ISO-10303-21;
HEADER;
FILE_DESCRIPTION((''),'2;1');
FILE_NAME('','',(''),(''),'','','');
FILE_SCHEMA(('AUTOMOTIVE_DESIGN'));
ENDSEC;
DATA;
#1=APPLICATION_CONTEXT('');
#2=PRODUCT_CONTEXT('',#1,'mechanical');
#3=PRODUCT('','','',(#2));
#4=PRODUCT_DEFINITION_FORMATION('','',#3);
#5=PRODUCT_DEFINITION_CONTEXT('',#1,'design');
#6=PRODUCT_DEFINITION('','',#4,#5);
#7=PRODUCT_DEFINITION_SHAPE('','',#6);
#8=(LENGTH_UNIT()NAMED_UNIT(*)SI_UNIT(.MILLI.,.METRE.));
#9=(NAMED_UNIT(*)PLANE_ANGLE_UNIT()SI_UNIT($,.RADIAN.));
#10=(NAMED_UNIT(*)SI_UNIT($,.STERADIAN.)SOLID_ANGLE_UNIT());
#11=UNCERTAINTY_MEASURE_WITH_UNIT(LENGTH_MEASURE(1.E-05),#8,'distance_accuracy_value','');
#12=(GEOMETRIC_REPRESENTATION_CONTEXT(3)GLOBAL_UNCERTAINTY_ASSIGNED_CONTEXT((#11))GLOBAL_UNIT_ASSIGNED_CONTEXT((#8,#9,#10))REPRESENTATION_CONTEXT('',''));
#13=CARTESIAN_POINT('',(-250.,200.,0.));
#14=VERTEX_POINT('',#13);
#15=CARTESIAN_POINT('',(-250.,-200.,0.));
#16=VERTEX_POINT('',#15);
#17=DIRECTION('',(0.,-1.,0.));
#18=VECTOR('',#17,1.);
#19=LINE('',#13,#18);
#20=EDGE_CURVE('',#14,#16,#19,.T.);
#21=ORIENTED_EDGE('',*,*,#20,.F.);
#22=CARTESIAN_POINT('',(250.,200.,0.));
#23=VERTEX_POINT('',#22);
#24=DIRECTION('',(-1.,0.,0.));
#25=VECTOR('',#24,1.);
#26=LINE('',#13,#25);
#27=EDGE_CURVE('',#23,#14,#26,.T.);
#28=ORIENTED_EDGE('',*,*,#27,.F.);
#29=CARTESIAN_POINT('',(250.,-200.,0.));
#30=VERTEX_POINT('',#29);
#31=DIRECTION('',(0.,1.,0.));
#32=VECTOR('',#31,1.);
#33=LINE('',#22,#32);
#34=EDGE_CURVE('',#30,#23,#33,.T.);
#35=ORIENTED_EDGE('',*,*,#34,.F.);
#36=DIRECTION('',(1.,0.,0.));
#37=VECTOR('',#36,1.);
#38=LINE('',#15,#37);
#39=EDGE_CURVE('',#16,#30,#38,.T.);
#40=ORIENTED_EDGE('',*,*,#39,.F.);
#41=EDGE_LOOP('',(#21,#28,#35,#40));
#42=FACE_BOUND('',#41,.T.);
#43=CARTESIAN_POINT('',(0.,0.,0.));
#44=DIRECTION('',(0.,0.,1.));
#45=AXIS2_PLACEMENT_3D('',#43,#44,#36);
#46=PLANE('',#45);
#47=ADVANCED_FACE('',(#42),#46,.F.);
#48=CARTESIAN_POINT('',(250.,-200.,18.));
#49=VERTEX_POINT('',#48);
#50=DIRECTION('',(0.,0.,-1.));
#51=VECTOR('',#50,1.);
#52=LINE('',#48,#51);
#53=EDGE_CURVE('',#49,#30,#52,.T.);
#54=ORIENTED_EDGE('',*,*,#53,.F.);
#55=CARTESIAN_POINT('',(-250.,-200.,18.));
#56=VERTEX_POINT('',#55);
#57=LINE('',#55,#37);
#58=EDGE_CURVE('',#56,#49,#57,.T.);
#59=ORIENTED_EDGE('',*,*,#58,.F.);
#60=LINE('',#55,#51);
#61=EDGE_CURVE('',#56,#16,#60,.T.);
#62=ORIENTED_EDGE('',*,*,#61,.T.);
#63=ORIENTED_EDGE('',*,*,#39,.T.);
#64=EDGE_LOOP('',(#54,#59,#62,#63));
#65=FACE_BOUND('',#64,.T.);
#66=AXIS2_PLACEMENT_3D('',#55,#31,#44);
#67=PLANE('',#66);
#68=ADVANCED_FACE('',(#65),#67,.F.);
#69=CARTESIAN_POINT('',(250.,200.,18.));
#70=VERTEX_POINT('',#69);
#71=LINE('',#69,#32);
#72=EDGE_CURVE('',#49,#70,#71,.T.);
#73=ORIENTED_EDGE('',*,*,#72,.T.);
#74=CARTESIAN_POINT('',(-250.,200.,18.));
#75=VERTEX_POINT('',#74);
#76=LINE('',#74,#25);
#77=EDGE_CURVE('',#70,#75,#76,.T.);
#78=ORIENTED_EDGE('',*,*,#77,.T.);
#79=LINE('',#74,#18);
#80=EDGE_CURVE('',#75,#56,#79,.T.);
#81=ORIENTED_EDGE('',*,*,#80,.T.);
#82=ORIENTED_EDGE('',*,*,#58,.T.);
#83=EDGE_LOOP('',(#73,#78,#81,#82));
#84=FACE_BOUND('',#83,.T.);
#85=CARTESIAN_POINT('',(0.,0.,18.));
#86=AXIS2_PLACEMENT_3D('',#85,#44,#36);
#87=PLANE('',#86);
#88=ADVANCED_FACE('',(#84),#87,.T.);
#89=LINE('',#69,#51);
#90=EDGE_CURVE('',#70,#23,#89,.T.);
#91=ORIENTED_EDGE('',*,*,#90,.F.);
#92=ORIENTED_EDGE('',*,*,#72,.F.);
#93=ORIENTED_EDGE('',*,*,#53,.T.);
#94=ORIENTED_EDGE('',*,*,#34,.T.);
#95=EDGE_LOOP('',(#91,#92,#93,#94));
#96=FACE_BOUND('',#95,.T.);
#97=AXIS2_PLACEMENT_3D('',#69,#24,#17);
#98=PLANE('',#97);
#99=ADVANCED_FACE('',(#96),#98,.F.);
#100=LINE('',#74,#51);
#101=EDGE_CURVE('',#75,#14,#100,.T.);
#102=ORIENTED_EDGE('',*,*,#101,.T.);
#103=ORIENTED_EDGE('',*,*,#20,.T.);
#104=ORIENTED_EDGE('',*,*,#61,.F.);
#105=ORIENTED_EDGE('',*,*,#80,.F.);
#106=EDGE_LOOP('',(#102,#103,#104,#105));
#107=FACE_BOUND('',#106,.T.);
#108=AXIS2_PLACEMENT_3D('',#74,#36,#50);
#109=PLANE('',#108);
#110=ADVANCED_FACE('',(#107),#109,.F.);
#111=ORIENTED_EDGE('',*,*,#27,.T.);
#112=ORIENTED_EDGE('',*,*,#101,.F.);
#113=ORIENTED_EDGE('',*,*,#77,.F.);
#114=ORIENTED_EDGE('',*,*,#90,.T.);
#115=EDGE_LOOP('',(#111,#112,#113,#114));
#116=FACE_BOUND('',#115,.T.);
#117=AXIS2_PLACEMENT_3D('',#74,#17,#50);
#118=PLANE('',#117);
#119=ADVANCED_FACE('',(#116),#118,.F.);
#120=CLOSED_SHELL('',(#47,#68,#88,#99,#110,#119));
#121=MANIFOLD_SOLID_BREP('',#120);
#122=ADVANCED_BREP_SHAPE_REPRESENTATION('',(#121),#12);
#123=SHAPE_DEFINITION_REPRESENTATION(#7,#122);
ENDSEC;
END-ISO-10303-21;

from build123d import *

# Parameters (mm, degrees)
SCHIZZO1_W                   = 500
SCHIZZO1_H                   = 400
ESTRUSIONE_ESTRUSIONE1_DEPTH = 18


with BuildPart() as part:
    # Schizzo1 → Estrusione-Estrusione1 (new body)
    with BuildSketch(Plane.XY):
        Rectangle(SCHIZZO1_W, SCHIZZO1_H)
    extrude(amount=ESTRUSIONE_ESTRUSIONE1_DEPTH)


solid = part.part
